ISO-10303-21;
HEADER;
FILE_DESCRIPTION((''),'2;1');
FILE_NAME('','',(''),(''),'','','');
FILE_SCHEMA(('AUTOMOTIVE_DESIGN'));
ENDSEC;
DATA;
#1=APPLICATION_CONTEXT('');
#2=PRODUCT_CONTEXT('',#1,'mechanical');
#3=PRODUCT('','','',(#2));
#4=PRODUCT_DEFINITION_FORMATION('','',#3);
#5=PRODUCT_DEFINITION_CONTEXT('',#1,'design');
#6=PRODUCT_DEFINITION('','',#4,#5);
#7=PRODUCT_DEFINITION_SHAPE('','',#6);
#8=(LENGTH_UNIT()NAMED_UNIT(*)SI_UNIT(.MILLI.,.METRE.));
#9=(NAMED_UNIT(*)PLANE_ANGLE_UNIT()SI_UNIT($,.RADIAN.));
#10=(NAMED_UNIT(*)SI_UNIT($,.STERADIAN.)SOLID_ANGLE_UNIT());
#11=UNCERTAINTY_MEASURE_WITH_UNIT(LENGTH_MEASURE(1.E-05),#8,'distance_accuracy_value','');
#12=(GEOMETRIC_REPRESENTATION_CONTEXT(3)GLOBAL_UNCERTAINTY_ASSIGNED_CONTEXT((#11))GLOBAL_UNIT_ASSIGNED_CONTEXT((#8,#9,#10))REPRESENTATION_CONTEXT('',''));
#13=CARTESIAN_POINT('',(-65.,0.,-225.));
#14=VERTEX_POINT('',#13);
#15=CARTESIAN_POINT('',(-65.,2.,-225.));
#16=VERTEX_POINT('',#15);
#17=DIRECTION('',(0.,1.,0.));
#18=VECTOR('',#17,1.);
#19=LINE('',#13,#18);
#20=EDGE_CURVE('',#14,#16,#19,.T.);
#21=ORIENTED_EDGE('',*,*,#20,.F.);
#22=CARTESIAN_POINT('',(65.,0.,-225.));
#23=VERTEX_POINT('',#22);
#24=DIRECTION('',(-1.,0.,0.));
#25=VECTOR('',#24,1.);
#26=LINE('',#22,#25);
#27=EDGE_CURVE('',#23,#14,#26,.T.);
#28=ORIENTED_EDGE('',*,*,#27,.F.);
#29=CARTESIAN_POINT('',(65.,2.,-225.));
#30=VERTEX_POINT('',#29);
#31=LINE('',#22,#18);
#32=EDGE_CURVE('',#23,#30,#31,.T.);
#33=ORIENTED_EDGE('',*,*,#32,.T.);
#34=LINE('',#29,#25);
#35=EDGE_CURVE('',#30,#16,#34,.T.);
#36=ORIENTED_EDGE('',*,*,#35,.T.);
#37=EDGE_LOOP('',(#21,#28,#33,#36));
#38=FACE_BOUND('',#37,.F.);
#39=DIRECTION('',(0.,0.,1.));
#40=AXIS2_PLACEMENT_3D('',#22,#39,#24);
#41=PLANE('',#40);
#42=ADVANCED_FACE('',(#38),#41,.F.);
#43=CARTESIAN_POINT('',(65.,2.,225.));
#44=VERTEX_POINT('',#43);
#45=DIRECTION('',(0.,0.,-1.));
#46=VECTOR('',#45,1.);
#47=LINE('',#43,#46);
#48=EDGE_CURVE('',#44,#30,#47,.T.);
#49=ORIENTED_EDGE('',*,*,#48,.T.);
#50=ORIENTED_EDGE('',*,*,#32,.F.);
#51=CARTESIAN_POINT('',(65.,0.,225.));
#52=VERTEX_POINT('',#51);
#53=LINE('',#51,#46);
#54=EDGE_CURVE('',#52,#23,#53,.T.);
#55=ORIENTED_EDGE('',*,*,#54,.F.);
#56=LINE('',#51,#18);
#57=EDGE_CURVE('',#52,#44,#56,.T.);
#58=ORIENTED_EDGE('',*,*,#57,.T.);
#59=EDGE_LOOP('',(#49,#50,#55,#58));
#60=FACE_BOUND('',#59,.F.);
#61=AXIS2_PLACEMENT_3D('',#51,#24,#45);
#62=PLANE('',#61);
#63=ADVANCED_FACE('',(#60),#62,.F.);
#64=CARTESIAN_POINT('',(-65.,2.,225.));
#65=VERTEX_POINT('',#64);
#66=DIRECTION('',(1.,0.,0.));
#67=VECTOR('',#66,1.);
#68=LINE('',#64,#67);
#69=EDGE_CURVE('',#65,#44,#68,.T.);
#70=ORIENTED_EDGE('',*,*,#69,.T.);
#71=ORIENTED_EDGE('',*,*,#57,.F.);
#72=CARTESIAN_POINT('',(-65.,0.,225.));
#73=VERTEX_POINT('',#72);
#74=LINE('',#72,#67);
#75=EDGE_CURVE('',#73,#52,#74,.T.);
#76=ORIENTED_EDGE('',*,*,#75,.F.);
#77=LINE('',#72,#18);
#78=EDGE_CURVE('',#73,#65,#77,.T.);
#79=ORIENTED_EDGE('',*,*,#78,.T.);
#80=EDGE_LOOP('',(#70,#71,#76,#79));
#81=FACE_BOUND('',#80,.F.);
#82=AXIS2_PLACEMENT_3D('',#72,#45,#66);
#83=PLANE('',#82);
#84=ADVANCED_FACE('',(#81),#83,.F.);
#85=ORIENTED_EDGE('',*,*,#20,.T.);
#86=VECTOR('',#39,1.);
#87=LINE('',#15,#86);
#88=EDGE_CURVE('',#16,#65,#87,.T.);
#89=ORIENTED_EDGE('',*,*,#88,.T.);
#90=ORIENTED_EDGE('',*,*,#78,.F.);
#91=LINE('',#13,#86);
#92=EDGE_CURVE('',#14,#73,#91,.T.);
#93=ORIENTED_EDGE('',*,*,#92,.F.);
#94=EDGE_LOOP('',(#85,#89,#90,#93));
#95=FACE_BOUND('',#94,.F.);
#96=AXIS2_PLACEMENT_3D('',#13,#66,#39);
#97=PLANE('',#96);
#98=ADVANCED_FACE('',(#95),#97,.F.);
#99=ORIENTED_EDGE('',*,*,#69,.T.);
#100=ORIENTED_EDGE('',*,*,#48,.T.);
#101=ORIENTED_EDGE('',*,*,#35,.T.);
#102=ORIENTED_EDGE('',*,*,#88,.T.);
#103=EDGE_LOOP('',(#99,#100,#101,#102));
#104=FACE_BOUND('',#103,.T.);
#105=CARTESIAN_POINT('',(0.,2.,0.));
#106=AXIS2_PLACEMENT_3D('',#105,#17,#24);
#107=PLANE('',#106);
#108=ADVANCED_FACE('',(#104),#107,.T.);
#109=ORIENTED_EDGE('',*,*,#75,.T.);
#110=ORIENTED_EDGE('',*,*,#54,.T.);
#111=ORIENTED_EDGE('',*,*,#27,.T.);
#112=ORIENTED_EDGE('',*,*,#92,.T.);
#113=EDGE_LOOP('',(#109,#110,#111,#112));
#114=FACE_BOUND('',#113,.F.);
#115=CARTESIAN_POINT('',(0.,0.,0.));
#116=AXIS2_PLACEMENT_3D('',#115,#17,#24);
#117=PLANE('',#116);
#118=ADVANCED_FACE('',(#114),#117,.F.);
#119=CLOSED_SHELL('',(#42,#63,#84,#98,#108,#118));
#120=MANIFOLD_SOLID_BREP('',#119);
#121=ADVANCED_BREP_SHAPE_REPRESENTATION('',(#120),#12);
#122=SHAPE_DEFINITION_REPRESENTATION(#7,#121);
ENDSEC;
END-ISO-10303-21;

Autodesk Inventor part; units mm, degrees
ref_plane "YZ Plane" through (0, 0, 0) normal (1, 0, 0) x (0, 1, 0)
ref_plane "XZ Plane" through (0, 0, 0) normal (0, 1, 0) x (-1, 0, 0)
ref_plane "XY Plane" through (0, 0, 0) normal (0, 0, 1) x (1, 0, 0)
sketch "Sketch1" plane through (0, 0, 0) normal (0, 1, 0) x (-1, 0, 0)
  line L0 (65, 225) -> (-65, 225)
  line L1 (-65, 225) -> (-65, -225)
  line L2 (-65, -225) -> (65, -225)
  line L3 (65, -225) -> (65, 225)
  line L4 (65, 225) -> (-65, -225) construction
  line L5 (-65, 225) -> (65, -225) construction
  point P0 (0, 0)
  dimension "d0" = 130
  dimension "d1" = 450
extrude "Extrusion1" add sketch "Sketch1" along normal blind 2
properties part number "CANALETA_PLANA"
